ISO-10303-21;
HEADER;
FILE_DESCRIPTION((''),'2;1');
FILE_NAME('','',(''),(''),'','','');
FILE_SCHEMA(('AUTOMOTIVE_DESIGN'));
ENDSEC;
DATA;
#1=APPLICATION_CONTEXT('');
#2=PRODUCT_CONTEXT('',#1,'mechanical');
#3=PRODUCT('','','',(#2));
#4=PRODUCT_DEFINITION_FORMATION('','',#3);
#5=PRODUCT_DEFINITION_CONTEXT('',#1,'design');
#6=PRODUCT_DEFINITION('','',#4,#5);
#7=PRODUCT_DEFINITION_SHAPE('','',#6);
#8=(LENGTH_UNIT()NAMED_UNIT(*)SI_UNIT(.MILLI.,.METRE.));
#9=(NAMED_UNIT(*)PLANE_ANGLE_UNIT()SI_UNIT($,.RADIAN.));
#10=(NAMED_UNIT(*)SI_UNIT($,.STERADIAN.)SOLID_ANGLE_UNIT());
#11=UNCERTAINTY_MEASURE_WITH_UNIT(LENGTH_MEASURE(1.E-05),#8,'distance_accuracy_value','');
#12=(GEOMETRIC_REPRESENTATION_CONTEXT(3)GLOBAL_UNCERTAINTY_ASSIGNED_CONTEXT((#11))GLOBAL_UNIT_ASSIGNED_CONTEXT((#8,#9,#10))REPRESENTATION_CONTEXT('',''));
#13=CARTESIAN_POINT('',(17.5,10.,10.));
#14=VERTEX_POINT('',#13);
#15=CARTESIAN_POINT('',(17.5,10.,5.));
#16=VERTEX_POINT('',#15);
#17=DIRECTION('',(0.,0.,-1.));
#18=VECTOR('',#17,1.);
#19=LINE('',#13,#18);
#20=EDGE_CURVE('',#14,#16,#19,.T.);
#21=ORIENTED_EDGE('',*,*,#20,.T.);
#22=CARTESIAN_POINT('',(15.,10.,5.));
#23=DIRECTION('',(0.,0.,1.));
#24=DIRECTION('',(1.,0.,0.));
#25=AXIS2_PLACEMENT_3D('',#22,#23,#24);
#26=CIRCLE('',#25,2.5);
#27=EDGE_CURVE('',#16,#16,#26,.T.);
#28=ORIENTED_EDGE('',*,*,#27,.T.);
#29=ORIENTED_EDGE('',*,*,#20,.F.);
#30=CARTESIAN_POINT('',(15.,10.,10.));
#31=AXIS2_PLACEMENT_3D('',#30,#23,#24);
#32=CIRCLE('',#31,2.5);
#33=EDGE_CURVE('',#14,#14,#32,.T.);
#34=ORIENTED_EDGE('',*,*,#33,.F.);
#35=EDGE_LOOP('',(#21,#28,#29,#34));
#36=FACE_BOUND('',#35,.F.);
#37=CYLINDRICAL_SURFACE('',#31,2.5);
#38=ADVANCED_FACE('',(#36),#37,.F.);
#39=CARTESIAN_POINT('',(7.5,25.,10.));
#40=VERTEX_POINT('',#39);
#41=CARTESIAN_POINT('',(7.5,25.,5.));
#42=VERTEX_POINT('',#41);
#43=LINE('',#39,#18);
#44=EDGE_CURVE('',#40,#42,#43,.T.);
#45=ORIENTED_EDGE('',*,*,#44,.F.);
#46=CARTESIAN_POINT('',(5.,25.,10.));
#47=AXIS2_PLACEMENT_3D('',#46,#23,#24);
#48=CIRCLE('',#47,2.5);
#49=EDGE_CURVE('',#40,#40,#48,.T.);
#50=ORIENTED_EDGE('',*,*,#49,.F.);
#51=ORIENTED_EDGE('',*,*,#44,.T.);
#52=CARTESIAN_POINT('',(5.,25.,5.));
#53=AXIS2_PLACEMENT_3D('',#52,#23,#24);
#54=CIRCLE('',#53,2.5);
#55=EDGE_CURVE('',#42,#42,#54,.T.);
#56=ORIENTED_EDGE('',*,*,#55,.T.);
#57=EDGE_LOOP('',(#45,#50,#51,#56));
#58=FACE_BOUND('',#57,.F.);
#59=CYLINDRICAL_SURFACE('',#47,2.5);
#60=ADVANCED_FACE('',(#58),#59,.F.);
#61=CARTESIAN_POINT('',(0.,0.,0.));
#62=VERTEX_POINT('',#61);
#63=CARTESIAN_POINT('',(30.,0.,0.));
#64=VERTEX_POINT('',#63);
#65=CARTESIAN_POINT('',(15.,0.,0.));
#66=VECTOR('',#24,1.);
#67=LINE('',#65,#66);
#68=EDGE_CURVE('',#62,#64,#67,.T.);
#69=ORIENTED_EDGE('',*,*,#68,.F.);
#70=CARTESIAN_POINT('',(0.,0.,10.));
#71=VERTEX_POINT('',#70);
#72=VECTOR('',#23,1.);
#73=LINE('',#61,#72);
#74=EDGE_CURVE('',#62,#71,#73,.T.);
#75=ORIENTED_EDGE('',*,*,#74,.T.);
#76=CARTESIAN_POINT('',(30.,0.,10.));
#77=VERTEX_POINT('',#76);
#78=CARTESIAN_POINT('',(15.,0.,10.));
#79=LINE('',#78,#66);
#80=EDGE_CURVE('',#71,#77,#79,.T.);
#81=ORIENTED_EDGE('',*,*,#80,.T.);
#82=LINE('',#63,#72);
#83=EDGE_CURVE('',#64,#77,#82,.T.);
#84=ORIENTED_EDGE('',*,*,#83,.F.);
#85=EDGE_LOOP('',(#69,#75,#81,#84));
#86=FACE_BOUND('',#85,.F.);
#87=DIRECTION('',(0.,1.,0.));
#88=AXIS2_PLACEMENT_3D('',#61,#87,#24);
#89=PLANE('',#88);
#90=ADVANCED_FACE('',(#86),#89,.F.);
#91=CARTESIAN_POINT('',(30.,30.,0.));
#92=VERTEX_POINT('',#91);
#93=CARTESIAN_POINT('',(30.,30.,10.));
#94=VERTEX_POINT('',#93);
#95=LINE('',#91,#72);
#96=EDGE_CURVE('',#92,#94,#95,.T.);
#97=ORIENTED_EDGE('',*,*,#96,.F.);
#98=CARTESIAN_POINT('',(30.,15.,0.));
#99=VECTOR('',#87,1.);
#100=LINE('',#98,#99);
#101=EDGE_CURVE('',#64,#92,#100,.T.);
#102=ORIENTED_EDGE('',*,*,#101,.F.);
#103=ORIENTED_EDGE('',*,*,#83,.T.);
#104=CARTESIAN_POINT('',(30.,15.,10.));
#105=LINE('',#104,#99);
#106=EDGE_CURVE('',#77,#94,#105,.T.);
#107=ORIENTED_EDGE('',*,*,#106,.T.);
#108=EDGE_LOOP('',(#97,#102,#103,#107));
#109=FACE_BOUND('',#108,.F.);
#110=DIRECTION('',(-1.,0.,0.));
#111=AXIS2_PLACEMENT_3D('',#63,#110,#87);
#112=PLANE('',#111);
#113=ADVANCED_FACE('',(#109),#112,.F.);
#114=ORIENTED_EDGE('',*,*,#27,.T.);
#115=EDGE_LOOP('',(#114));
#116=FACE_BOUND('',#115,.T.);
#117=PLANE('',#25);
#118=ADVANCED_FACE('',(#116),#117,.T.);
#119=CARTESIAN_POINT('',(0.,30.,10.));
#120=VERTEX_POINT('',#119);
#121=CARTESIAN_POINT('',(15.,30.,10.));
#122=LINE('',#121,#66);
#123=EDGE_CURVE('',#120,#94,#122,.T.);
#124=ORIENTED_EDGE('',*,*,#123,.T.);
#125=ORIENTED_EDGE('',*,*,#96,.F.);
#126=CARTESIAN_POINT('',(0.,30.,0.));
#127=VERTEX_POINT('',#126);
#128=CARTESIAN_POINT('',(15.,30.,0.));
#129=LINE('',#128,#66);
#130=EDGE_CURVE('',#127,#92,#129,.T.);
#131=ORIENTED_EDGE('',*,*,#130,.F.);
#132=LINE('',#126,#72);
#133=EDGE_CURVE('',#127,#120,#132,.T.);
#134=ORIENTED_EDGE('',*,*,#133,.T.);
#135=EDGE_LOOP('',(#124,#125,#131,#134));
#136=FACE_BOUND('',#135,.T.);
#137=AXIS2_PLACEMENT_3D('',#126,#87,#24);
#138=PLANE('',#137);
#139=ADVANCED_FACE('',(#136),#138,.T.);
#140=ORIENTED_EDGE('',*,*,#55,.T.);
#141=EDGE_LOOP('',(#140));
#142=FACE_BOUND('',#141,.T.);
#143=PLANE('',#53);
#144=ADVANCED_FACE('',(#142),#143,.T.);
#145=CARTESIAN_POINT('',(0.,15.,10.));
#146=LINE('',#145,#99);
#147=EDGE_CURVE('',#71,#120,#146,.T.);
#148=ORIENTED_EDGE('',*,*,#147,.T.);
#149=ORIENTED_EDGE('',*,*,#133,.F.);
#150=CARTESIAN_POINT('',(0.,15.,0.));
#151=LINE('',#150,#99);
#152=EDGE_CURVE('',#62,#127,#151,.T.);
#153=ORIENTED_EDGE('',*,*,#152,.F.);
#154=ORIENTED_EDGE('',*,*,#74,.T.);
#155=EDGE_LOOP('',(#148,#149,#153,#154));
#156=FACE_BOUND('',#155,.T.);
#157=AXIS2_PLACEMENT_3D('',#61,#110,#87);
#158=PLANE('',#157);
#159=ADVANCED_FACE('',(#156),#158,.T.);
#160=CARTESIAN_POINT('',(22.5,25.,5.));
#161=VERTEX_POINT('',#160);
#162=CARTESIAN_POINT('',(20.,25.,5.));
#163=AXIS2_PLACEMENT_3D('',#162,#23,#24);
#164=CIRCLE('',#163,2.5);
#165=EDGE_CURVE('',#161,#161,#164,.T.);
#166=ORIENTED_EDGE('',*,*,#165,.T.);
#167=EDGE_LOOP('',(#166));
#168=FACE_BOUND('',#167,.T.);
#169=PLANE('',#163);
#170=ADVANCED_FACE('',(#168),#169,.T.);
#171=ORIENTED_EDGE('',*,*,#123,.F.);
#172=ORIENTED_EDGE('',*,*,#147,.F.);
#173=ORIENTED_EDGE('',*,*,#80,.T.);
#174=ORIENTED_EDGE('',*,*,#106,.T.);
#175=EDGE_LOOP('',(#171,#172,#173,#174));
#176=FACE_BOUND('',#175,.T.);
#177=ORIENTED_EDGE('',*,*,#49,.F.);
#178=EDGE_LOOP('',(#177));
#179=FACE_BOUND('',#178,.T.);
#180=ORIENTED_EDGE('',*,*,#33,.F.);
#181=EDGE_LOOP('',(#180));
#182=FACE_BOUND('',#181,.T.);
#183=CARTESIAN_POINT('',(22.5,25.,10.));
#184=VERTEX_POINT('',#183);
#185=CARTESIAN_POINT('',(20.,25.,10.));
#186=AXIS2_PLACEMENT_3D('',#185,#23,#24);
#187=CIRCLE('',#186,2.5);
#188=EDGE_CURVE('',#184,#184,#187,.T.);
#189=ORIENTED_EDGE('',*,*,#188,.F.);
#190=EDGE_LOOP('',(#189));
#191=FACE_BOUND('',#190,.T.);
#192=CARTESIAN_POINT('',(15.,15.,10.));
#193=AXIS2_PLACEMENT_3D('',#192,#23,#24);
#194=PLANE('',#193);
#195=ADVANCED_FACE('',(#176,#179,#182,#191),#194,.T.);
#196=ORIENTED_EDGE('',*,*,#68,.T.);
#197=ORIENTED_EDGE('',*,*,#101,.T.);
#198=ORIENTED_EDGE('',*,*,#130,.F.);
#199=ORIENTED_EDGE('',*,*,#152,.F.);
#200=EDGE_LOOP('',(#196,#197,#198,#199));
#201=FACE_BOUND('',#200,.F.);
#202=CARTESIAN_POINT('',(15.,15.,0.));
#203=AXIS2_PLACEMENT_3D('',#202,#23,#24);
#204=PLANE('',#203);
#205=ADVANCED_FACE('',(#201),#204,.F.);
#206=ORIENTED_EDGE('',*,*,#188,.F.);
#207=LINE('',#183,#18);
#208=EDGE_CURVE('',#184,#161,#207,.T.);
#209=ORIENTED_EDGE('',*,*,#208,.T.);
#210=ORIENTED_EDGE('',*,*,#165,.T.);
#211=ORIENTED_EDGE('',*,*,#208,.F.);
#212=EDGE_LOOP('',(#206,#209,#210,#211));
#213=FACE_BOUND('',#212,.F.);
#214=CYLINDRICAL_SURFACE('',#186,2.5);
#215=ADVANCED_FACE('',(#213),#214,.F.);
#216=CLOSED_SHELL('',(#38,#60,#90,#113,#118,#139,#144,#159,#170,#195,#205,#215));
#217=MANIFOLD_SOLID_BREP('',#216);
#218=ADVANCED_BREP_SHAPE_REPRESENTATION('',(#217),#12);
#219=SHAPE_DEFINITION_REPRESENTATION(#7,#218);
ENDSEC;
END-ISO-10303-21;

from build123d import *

# Parameters (mm, degrees)
F0_W     = 30
F0_H     = 30
F1_DEPTH = 10
F2_R     = 2.5
F3_DEPTH = 5


with BuildPart() as f1:
    # F0 (on Top) → F1 (new body)
    with BuildSketch(Plane.XY):
        with Locations((15, 15)):
            Rectangle(F0_W, F0_H)
    extrude(amount=F1_DEPTH)

    # F2 (on face) → F3 (cut)
    with BuildSketch(Plane.XY.offset(10)):
        with Locations((5, 25)):
            Circle(F2_R)
        with Locations((20, 25)):
            Circle(F2_R)
        with Locations((15, 10)):
            Circle(F2_R)
    extrude(amount=-F3_DEPTH, mode=Mode.SUBTRACT)


solid = f1.part
